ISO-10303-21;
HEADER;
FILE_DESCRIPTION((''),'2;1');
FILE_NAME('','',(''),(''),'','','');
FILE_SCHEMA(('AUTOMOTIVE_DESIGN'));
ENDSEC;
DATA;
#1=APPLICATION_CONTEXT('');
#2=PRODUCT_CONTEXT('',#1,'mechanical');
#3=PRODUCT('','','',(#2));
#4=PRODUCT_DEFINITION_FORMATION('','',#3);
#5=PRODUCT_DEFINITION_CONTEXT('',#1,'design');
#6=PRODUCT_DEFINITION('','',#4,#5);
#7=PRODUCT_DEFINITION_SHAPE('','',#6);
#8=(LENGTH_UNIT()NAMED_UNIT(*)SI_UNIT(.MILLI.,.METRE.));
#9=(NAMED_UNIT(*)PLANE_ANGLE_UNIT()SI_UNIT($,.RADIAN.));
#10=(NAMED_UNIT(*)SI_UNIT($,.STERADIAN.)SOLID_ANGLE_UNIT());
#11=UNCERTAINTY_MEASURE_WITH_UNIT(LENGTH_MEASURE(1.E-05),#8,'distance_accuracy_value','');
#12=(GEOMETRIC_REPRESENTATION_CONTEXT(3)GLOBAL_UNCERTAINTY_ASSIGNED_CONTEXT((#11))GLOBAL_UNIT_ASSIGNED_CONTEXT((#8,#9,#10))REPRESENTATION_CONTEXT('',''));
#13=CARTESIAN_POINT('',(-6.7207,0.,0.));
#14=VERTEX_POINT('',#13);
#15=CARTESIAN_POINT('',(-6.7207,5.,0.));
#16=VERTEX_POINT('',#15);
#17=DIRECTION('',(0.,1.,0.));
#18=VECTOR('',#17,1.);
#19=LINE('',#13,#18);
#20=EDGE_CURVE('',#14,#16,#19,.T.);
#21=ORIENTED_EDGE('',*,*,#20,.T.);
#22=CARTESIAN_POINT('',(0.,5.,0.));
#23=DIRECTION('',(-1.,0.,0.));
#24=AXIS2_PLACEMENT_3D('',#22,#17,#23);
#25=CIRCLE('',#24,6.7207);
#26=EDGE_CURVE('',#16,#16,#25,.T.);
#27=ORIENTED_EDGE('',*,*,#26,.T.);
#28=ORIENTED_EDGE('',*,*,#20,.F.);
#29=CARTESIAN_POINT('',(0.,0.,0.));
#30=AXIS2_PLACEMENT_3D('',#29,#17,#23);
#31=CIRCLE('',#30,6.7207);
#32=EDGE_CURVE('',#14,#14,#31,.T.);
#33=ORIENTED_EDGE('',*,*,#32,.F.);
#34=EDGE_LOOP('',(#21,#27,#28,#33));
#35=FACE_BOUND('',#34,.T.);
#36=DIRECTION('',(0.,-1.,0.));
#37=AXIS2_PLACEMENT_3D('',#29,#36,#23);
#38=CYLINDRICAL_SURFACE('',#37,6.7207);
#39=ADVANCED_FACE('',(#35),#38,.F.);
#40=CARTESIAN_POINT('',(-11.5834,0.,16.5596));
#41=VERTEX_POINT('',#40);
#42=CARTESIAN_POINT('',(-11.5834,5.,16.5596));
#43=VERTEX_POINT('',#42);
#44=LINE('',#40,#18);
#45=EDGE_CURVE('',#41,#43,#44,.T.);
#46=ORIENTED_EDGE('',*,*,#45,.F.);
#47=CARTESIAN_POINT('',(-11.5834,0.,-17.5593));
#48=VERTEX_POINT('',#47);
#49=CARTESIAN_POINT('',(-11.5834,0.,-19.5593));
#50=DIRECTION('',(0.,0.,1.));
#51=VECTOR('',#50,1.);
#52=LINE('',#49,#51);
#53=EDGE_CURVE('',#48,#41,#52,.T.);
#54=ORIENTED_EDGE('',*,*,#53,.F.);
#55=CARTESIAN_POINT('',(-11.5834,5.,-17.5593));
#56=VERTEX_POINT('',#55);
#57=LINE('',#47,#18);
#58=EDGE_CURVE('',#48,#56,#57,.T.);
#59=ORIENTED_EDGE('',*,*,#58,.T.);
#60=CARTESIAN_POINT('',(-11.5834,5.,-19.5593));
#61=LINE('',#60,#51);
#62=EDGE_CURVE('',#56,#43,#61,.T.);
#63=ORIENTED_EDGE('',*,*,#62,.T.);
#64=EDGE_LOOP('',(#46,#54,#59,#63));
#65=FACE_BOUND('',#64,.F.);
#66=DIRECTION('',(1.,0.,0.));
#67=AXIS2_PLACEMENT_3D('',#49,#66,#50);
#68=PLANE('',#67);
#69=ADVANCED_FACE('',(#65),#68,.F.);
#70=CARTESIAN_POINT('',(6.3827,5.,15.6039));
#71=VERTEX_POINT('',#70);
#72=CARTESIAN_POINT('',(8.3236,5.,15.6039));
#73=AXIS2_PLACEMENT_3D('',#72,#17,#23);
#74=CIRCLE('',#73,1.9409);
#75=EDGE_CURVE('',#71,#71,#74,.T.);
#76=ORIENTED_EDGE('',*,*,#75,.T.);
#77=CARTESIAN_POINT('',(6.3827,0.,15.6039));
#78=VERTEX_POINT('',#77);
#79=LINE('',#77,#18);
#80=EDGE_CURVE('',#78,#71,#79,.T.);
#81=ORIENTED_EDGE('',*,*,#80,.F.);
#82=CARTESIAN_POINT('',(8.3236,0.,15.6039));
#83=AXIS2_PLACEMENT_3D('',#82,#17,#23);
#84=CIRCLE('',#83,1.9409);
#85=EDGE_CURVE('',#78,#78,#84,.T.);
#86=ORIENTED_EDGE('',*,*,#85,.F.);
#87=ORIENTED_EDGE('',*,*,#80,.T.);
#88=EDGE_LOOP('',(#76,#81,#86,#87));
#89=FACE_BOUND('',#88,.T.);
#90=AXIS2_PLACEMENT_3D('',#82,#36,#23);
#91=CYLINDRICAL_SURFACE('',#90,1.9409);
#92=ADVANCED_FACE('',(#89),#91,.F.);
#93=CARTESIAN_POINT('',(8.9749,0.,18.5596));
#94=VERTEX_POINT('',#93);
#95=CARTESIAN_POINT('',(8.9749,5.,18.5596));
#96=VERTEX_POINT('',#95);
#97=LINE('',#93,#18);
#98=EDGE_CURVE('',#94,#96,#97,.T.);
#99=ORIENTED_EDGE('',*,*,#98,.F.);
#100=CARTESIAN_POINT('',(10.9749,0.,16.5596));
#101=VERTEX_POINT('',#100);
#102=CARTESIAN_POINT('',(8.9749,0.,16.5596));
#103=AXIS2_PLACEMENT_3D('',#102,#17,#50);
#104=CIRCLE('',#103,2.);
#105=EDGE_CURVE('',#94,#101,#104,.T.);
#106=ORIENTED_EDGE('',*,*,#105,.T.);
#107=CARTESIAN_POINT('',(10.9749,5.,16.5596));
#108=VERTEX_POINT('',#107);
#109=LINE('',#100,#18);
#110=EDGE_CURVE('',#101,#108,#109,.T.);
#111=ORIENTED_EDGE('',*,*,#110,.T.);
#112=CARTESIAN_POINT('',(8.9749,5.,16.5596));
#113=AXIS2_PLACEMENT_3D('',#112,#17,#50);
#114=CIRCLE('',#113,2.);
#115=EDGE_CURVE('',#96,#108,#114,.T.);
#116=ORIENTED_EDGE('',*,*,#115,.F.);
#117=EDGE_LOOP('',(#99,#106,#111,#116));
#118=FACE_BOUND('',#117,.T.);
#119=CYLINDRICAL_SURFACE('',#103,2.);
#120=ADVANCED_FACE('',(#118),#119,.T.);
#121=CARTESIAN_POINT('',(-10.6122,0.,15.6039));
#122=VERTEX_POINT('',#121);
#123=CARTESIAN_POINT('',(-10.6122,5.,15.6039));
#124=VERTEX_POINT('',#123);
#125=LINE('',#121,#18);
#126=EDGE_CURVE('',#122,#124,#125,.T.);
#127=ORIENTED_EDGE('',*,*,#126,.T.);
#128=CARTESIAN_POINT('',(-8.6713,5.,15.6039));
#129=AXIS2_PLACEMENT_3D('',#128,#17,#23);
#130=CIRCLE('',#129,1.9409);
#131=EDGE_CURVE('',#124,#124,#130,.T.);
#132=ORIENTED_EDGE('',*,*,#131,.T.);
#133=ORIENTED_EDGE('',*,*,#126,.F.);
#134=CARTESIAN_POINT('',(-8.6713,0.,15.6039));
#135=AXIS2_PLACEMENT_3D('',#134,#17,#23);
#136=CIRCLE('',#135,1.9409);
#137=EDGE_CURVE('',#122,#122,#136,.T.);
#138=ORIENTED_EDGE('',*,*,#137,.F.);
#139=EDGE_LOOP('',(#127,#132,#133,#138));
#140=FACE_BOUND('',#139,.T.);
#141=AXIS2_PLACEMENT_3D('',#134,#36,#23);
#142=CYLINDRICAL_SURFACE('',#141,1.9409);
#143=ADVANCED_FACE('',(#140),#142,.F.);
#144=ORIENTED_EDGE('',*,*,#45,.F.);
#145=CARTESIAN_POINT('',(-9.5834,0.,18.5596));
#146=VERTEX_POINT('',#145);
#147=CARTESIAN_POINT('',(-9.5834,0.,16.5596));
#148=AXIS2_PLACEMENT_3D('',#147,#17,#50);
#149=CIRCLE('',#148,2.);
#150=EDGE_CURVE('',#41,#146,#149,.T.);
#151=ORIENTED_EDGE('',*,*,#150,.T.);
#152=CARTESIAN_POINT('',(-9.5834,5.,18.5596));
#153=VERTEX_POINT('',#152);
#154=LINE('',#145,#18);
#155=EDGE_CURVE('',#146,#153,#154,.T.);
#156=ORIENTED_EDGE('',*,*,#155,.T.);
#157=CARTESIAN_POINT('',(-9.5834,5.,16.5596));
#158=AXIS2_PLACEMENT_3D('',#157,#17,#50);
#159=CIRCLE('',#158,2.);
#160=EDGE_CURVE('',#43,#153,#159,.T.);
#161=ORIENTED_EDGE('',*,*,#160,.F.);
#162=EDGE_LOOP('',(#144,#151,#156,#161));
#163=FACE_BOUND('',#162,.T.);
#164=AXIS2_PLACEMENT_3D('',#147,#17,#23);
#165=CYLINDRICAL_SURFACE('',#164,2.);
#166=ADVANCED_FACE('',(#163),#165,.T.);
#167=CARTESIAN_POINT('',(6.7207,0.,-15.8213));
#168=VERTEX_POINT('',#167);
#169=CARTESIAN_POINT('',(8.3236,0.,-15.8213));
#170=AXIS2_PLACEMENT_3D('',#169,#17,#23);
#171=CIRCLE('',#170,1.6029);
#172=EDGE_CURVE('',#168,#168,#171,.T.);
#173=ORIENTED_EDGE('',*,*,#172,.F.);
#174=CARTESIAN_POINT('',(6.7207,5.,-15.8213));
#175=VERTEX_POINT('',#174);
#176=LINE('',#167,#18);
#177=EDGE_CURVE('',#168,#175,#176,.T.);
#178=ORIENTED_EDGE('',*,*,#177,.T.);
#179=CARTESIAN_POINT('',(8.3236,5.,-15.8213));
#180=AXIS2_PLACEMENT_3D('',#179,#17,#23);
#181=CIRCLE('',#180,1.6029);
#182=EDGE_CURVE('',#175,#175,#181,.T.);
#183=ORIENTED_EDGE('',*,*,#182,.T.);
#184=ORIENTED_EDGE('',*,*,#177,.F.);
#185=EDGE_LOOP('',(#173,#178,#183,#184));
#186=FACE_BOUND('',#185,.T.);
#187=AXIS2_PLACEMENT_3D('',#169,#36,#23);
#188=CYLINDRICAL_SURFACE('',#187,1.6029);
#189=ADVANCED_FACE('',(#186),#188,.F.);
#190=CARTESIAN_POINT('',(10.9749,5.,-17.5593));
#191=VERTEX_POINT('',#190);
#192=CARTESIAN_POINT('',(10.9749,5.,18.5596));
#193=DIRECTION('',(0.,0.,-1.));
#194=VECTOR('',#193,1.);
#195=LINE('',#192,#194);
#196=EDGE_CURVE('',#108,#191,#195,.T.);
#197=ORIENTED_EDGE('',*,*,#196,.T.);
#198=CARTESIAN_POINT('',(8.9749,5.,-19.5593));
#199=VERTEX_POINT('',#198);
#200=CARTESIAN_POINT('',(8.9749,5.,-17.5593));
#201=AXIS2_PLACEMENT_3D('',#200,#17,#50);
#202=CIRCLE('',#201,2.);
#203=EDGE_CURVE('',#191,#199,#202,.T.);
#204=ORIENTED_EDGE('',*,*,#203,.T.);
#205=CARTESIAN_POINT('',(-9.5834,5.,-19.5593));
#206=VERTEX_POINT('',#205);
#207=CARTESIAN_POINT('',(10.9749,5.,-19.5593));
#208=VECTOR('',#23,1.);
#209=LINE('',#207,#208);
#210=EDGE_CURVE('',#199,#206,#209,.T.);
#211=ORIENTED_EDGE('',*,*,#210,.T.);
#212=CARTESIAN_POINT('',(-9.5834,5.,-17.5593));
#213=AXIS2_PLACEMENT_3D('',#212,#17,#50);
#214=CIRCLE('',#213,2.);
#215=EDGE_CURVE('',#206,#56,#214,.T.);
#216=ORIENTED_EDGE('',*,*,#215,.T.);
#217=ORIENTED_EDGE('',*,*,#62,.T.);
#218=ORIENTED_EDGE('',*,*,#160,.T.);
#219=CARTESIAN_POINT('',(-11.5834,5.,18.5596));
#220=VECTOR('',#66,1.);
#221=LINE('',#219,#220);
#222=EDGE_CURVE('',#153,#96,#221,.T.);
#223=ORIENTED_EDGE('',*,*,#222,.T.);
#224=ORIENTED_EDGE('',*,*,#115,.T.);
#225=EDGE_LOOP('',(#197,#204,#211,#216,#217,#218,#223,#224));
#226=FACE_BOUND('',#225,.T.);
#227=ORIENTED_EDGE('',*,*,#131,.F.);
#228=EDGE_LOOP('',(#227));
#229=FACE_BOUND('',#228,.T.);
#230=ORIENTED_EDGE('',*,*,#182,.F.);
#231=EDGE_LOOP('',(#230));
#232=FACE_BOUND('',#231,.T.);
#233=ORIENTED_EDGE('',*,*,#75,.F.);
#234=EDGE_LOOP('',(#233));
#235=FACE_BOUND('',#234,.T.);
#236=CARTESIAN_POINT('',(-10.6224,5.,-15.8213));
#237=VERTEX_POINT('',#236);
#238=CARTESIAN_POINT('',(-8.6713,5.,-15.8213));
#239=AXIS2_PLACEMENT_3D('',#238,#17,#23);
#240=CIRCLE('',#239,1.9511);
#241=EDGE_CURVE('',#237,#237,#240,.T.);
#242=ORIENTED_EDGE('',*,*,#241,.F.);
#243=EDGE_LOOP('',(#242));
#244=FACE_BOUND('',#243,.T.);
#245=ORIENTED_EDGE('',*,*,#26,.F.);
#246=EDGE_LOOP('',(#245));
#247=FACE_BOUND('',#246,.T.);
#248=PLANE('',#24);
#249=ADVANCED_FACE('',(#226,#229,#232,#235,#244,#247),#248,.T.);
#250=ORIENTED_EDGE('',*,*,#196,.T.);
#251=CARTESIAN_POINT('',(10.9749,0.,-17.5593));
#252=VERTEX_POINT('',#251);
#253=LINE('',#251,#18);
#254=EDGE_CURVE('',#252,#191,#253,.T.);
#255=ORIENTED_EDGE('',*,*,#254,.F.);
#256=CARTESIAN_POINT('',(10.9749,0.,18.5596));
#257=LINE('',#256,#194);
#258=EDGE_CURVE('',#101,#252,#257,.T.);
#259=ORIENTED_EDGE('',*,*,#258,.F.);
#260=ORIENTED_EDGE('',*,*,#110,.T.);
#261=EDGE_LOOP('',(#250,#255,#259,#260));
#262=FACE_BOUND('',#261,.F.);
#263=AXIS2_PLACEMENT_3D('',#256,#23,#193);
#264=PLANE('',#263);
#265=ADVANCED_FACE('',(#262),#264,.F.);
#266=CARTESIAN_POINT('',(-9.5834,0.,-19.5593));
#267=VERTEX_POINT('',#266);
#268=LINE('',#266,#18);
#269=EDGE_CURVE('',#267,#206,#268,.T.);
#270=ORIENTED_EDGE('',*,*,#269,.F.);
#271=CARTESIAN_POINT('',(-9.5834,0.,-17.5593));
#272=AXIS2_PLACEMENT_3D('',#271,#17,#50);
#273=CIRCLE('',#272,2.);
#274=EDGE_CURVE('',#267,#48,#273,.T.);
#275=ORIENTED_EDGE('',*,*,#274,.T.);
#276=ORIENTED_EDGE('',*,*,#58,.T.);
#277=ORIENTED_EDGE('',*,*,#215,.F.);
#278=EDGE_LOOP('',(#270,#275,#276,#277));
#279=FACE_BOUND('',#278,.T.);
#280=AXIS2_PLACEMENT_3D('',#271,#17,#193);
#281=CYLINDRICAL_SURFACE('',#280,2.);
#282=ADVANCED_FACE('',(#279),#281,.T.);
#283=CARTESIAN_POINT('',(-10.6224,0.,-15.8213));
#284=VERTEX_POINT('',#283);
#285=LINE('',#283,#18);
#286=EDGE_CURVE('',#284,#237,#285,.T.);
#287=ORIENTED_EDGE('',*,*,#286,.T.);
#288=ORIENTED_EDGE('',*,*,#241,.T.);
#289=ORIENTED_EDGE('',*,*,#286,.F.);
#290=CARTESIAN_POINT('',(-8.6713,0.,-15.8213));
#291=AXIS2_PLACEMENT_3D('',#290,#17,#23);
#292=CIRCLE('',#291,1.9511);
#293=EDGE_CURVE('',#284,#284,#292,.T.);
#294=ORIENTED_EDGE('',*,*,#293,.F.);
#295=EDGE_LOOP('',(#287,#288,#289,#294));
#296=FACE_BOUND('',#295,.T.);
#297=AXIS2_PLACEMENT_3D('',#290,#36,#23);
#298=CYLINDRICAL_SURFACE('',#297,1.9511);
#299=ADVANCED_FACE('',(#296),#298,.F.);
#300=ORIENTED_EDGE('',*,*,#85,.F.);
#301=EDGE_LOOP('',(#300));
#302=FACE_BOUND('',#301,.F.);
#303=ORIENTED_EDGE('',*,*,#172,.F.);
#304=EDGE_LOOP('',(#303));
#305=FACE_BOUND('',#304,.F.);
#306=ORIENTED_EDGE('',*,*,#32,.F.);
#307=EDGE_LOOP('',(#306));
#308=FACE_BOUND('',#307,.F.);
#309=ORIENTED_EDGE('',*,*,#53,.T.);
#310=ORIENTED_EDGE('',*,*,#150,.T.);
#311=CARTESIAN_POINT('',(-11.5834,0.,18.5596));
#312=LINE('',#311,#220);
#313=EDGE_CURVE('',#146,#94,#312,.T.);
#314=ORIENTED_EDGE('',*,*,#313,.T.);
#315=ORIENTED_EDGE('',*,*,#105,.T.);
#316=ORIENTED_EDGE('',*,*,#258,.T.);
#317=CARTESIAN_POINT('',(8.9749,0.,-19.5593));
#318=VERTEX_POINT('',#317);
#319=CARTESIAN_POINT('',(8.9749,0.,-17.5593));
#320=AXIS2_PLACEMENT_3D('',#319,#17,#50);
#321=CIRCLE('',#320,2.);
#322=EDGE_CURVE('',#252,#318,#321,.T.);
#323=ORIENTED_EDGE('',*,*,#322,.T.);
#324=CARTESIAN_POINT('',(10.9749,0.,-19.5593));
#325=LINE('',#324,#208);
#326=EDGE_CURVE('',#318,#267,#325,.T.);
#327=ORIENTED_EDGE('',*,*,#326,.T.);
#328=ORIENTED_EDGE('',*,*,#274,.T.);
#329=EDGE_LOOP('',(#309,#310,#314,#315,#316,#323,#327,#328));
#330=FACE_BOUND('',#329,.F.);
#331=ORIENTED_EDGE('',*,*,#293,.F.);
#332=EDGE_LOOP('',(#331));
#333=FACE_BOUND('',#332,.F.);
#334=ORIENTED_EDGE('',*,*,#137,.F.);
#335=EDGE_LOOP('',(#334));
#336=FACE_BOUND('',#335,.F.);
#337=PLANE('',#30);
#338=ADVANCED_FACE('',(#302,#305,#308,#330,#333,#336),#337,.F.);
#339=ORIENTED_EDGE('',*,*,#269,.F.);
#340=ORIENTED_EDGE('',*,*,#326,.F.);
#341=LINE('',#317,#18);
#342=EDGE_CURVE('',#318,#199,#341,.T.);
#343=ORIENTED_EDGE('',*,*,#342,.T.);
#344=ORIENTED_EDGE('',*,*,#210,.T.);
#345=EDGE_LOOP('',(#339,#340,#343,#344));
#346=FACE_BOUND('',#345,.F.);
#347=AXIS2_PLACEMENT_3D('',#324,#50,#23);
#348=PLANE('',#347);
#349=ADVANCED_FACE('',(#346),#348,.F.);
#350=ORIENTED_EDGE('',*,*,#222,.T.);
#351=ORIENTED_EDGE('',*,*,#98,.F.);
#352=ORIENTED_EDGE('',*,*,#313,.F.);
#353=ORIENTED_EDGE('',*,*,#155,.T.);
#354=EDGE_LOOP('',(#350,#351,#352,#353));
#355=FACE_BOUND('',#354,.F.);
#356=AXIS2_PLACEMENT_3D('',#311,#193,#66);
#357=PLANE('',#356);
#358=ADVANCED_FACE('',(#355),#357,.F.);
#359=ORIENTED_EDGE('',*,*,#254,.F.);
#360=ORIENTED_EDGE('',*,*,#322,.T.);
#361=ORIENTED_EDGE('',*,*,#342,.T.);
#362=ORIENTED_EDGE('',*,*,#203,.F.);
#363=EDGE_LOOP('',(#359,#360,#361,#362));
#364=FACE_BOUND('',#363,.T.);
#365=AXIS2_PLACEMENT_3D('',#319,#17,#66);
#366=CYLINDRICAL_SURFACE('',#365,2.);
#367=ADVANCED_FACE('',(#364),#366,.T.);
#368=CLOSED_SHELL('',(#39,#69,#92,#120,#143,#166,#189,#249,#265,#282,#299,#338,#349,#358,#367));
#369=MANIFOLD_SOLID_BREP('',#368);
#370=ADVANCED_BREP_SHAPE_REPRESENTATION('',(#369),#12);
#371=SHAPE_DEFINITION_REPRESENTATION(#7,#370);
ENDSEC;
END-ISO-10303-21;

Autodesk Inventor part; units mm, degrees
ref_plane "YZ Plane" through (0, 0, 0) normal (1, 0, 0) x (0, 1, 0)
ref_plane "XZ Plane" through (0, 0, 0) normal (0, 1, 0) x (-1, 0, 0)
ref_plane "XY Plane" through (0, 0, 0) normal (0, 0, 1) x (1, 0, 0)
sketch "Sketch2" plane through (0, 0, 0) normal (0, 1, 0) x (-1, 0, 0)
  line L0 (11.5834, 18.5596) -> (-10.9749, 18.5596)
  line L1 (-10.9749, 18.5596) -> (-10.9749, -19.5593)
  line L2 (-10.9749, -19.5593) -> (11.5834, -19.5593)
  line L3 (11.5834, -19.5593) -> (11.5834, 18.5596)
  circle A0 centre (8.6713, 15.6039) radius 1.9409
  circle A1 centre (0, 0) radius 6.7207
  circle A2 centre (-8.3236, 15.6039) radius 1.9409
  circle A3 centre (8.6713, -15.8213) radius 1.9511
  circle A4 centre (-8.3236, -15.8213) radius 1.6029
extrude "Extrusion2" add sketch "Sketch2" along normal blind 5
fillet "Fillet1" radius 2 1 edges at (-11.5834, 2.5, 18.5596)
fillet "Fillet2" radius 2 1 edges at (10.9749, 2.5, 18.5596)
fillet "Fillet3" radius 2 1 edges at (10.9749, 2.5, -19.5593)
fillet "Fillet4" radius 2 1 edges at (-11.5834, 2.5, -19.5593)
properties part number "Bloque-Part"
